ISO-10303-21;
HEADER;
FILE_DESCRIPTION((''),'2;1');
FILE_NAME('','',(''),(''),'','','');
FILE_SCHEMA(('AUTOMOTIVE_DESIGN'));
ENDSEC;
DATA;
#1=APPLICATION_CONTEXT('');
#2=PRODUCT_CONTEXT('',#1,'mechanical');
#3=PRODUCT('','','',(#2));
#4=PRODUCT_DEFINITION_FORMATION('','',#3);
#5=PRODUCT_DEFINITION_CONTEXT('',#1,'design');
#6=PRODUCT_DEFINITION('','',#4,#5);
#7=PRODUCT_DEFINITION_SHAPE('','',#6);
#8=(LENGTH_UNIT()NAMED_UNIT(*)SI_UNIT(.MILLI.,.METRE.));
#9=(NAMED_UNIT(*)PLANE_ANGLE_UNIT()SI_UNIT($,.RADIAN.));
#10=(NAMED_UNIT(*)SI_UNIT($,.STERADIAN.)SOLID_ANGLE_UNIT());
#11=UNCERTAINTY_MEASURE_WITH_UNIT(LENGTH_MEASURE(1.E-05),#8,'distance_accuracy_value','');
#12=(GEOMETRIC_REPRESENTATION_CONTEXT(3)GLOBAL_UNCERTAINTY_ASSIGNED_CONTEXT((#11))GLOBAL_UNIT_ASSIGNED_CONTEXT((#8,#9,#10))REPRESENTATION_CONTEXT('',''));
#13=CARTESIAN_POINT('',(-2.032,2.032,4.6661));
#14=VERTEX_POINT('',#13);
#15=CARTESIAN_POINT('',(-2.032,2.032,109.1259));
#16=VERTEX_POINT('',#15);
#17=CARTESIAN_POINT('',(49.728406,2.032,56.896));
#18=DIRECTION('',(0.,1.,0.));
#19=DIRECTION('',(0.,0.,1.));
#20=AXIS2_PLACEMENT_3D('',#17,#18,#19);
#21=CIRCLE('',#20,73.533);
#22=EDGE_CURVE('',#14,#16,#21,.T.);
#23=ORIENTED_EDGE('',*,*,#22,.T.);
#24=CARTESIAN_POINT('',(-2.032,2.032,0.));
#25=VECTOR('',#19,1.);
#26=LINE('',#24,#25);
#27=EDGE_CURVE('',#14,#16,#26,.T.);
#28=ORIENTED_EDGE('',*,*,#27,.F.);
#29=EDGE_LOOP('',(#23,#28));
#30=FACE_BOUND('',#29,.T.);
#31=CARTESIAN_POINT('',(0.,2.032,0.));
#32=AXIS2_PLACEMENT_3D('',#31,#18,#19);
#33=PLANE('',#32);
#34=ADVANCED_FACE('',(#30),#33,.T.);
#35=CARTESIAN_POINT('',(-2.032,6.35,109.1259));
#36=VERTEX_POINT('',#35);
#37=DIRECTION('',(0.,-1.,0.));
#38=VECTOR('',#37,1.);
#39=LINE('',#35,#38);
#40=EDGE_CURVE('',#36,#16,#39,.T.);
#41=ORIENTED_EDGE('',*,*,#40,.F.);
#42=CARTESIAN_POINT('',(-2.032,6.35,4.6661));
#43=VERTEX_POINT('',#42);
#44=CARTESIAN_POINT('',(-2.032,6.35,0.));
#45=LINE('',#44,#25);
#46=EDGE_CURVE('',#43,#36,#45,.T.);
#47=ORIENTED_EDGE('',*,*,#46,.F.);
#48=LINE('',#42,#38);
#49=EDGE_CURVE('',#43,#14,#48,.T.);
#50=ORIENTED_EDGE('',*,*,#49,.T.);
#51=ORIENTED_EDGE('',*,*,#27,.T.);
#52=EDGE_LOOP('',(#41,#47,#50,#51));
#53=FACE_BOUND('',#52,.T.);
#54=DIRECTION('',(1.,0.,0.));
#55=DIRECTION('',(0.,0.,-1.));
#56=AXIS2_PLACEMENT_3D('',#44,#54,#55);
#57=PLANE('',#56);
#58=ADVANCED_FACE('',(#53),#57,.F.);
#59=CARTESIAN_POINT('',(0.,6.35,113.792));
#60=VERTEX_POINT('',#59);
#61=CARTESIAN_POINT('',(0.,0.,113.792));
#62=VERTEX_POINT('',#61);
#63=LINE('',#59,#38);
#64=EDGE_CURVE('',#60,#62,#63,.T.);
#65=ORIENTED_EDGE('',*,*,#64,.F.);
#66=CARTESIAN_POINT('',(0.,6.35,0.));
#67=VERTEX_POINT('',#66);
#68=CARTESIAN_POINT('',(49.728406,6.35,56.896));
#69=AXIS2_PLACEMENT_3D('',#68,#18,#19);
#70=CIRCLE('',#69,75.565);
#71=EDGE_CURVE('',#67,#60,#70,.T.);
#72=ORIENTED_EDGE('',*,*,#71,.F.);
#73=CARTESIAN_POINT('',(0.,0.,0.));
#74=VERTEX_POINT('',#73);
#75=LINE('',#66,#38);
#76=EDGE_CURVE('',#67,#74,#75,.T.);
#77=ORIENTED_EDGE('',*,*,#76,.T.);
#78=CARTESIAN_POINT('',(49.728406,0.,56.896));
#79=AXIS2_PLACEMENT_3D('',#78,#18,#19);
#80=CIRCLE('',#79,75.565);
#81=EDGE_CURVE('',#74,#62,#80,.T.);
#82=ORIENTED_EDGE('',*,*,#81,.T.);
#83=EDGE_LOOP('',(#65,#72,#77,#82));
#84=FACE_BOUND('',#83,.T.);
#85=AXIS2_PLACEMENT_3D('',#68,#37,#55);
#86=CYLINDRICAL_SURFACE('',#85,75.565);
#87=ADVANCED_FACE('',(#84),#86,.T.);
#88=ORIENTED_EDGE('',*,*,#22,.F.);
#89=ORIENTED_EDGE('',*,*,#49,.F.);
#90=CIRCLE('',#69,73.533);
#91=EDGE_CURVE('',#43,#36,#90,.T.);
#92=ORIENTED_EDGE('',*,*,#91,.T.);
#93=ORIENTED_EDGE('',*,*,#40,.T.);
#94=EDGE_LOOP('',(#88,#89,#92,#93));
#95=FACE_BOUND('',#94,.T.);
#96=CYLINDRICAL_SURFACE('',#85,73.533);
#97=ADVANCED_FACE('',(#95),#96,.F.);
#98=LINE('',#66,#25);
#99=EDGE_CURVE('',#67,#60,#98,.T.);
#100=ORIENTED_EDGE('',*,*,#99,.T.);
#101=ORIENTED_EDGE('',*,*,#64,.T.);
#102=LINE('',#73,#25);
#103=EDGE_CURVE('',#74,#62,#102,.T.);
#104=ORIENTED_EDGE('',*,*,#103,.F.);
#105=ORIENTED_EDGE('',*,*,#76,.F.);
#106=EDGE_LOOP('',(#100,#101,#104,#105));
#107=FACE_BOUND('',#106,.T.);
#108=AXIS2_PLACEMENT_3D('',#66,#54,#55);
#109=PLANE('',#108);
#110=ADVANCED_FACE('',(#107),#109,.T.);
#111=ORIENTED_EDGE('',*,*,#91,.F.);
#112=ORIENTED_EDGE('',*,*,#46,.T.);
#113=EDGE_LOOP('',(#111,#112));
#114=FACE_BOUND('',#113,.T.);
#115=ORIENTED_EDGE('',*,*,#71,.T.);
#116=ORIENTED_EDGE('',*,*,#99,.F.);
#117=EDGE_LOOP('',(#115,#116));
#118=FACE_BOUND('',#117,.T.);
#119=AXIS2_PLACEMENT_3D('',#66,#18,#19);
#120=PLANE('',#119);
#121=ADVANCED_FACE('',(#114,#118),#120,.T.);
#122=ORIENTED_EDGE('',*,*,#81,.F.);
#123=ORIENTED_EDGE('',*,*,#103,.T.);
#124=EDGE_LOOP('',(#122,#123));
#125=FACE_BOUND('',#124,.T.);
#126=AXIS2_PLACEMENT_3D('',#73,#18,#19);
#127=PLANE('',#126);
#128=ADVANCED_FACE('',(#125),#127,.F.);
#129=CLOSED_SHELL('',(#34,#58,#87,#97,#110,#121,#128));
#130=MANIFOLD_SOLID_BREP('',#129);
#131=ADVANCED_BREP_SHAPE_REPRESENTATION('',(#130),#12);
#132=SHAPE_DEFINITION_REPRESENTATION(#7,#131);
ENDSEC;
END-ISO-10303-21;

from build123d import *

# Parameters (mm, degrees)
BOSS_EXTRUDE1_DEPTH = 6.35
SHELL1_T            = -2.032


with BuildPart() as part:
    # Sketch1 → Boss-Extrude1 (new body)
    with BuildSketch(Plane(origin=(0, 0, 0), x_dir=(1, 0, 0), z_dir=(0, 1, 0))):
        with BuildLine():
            Line((0, -113.792), (0, 0))
            ThreePointArc((0, 0), (-25.836593541, -56.896), (0, -113.792))
        make_face()
    extrude(amount=BOSS_EXTRUDE1_DEPTH)

    # Shell1
    shell1_openings = [part.faces().sort_by_distance(p)[0] for p in [
        (-12.91829677, 6.35, 56.896),
    ]]
    offset(amount=SHELL1_T, openings=shell1_openings)


solid = part.part
